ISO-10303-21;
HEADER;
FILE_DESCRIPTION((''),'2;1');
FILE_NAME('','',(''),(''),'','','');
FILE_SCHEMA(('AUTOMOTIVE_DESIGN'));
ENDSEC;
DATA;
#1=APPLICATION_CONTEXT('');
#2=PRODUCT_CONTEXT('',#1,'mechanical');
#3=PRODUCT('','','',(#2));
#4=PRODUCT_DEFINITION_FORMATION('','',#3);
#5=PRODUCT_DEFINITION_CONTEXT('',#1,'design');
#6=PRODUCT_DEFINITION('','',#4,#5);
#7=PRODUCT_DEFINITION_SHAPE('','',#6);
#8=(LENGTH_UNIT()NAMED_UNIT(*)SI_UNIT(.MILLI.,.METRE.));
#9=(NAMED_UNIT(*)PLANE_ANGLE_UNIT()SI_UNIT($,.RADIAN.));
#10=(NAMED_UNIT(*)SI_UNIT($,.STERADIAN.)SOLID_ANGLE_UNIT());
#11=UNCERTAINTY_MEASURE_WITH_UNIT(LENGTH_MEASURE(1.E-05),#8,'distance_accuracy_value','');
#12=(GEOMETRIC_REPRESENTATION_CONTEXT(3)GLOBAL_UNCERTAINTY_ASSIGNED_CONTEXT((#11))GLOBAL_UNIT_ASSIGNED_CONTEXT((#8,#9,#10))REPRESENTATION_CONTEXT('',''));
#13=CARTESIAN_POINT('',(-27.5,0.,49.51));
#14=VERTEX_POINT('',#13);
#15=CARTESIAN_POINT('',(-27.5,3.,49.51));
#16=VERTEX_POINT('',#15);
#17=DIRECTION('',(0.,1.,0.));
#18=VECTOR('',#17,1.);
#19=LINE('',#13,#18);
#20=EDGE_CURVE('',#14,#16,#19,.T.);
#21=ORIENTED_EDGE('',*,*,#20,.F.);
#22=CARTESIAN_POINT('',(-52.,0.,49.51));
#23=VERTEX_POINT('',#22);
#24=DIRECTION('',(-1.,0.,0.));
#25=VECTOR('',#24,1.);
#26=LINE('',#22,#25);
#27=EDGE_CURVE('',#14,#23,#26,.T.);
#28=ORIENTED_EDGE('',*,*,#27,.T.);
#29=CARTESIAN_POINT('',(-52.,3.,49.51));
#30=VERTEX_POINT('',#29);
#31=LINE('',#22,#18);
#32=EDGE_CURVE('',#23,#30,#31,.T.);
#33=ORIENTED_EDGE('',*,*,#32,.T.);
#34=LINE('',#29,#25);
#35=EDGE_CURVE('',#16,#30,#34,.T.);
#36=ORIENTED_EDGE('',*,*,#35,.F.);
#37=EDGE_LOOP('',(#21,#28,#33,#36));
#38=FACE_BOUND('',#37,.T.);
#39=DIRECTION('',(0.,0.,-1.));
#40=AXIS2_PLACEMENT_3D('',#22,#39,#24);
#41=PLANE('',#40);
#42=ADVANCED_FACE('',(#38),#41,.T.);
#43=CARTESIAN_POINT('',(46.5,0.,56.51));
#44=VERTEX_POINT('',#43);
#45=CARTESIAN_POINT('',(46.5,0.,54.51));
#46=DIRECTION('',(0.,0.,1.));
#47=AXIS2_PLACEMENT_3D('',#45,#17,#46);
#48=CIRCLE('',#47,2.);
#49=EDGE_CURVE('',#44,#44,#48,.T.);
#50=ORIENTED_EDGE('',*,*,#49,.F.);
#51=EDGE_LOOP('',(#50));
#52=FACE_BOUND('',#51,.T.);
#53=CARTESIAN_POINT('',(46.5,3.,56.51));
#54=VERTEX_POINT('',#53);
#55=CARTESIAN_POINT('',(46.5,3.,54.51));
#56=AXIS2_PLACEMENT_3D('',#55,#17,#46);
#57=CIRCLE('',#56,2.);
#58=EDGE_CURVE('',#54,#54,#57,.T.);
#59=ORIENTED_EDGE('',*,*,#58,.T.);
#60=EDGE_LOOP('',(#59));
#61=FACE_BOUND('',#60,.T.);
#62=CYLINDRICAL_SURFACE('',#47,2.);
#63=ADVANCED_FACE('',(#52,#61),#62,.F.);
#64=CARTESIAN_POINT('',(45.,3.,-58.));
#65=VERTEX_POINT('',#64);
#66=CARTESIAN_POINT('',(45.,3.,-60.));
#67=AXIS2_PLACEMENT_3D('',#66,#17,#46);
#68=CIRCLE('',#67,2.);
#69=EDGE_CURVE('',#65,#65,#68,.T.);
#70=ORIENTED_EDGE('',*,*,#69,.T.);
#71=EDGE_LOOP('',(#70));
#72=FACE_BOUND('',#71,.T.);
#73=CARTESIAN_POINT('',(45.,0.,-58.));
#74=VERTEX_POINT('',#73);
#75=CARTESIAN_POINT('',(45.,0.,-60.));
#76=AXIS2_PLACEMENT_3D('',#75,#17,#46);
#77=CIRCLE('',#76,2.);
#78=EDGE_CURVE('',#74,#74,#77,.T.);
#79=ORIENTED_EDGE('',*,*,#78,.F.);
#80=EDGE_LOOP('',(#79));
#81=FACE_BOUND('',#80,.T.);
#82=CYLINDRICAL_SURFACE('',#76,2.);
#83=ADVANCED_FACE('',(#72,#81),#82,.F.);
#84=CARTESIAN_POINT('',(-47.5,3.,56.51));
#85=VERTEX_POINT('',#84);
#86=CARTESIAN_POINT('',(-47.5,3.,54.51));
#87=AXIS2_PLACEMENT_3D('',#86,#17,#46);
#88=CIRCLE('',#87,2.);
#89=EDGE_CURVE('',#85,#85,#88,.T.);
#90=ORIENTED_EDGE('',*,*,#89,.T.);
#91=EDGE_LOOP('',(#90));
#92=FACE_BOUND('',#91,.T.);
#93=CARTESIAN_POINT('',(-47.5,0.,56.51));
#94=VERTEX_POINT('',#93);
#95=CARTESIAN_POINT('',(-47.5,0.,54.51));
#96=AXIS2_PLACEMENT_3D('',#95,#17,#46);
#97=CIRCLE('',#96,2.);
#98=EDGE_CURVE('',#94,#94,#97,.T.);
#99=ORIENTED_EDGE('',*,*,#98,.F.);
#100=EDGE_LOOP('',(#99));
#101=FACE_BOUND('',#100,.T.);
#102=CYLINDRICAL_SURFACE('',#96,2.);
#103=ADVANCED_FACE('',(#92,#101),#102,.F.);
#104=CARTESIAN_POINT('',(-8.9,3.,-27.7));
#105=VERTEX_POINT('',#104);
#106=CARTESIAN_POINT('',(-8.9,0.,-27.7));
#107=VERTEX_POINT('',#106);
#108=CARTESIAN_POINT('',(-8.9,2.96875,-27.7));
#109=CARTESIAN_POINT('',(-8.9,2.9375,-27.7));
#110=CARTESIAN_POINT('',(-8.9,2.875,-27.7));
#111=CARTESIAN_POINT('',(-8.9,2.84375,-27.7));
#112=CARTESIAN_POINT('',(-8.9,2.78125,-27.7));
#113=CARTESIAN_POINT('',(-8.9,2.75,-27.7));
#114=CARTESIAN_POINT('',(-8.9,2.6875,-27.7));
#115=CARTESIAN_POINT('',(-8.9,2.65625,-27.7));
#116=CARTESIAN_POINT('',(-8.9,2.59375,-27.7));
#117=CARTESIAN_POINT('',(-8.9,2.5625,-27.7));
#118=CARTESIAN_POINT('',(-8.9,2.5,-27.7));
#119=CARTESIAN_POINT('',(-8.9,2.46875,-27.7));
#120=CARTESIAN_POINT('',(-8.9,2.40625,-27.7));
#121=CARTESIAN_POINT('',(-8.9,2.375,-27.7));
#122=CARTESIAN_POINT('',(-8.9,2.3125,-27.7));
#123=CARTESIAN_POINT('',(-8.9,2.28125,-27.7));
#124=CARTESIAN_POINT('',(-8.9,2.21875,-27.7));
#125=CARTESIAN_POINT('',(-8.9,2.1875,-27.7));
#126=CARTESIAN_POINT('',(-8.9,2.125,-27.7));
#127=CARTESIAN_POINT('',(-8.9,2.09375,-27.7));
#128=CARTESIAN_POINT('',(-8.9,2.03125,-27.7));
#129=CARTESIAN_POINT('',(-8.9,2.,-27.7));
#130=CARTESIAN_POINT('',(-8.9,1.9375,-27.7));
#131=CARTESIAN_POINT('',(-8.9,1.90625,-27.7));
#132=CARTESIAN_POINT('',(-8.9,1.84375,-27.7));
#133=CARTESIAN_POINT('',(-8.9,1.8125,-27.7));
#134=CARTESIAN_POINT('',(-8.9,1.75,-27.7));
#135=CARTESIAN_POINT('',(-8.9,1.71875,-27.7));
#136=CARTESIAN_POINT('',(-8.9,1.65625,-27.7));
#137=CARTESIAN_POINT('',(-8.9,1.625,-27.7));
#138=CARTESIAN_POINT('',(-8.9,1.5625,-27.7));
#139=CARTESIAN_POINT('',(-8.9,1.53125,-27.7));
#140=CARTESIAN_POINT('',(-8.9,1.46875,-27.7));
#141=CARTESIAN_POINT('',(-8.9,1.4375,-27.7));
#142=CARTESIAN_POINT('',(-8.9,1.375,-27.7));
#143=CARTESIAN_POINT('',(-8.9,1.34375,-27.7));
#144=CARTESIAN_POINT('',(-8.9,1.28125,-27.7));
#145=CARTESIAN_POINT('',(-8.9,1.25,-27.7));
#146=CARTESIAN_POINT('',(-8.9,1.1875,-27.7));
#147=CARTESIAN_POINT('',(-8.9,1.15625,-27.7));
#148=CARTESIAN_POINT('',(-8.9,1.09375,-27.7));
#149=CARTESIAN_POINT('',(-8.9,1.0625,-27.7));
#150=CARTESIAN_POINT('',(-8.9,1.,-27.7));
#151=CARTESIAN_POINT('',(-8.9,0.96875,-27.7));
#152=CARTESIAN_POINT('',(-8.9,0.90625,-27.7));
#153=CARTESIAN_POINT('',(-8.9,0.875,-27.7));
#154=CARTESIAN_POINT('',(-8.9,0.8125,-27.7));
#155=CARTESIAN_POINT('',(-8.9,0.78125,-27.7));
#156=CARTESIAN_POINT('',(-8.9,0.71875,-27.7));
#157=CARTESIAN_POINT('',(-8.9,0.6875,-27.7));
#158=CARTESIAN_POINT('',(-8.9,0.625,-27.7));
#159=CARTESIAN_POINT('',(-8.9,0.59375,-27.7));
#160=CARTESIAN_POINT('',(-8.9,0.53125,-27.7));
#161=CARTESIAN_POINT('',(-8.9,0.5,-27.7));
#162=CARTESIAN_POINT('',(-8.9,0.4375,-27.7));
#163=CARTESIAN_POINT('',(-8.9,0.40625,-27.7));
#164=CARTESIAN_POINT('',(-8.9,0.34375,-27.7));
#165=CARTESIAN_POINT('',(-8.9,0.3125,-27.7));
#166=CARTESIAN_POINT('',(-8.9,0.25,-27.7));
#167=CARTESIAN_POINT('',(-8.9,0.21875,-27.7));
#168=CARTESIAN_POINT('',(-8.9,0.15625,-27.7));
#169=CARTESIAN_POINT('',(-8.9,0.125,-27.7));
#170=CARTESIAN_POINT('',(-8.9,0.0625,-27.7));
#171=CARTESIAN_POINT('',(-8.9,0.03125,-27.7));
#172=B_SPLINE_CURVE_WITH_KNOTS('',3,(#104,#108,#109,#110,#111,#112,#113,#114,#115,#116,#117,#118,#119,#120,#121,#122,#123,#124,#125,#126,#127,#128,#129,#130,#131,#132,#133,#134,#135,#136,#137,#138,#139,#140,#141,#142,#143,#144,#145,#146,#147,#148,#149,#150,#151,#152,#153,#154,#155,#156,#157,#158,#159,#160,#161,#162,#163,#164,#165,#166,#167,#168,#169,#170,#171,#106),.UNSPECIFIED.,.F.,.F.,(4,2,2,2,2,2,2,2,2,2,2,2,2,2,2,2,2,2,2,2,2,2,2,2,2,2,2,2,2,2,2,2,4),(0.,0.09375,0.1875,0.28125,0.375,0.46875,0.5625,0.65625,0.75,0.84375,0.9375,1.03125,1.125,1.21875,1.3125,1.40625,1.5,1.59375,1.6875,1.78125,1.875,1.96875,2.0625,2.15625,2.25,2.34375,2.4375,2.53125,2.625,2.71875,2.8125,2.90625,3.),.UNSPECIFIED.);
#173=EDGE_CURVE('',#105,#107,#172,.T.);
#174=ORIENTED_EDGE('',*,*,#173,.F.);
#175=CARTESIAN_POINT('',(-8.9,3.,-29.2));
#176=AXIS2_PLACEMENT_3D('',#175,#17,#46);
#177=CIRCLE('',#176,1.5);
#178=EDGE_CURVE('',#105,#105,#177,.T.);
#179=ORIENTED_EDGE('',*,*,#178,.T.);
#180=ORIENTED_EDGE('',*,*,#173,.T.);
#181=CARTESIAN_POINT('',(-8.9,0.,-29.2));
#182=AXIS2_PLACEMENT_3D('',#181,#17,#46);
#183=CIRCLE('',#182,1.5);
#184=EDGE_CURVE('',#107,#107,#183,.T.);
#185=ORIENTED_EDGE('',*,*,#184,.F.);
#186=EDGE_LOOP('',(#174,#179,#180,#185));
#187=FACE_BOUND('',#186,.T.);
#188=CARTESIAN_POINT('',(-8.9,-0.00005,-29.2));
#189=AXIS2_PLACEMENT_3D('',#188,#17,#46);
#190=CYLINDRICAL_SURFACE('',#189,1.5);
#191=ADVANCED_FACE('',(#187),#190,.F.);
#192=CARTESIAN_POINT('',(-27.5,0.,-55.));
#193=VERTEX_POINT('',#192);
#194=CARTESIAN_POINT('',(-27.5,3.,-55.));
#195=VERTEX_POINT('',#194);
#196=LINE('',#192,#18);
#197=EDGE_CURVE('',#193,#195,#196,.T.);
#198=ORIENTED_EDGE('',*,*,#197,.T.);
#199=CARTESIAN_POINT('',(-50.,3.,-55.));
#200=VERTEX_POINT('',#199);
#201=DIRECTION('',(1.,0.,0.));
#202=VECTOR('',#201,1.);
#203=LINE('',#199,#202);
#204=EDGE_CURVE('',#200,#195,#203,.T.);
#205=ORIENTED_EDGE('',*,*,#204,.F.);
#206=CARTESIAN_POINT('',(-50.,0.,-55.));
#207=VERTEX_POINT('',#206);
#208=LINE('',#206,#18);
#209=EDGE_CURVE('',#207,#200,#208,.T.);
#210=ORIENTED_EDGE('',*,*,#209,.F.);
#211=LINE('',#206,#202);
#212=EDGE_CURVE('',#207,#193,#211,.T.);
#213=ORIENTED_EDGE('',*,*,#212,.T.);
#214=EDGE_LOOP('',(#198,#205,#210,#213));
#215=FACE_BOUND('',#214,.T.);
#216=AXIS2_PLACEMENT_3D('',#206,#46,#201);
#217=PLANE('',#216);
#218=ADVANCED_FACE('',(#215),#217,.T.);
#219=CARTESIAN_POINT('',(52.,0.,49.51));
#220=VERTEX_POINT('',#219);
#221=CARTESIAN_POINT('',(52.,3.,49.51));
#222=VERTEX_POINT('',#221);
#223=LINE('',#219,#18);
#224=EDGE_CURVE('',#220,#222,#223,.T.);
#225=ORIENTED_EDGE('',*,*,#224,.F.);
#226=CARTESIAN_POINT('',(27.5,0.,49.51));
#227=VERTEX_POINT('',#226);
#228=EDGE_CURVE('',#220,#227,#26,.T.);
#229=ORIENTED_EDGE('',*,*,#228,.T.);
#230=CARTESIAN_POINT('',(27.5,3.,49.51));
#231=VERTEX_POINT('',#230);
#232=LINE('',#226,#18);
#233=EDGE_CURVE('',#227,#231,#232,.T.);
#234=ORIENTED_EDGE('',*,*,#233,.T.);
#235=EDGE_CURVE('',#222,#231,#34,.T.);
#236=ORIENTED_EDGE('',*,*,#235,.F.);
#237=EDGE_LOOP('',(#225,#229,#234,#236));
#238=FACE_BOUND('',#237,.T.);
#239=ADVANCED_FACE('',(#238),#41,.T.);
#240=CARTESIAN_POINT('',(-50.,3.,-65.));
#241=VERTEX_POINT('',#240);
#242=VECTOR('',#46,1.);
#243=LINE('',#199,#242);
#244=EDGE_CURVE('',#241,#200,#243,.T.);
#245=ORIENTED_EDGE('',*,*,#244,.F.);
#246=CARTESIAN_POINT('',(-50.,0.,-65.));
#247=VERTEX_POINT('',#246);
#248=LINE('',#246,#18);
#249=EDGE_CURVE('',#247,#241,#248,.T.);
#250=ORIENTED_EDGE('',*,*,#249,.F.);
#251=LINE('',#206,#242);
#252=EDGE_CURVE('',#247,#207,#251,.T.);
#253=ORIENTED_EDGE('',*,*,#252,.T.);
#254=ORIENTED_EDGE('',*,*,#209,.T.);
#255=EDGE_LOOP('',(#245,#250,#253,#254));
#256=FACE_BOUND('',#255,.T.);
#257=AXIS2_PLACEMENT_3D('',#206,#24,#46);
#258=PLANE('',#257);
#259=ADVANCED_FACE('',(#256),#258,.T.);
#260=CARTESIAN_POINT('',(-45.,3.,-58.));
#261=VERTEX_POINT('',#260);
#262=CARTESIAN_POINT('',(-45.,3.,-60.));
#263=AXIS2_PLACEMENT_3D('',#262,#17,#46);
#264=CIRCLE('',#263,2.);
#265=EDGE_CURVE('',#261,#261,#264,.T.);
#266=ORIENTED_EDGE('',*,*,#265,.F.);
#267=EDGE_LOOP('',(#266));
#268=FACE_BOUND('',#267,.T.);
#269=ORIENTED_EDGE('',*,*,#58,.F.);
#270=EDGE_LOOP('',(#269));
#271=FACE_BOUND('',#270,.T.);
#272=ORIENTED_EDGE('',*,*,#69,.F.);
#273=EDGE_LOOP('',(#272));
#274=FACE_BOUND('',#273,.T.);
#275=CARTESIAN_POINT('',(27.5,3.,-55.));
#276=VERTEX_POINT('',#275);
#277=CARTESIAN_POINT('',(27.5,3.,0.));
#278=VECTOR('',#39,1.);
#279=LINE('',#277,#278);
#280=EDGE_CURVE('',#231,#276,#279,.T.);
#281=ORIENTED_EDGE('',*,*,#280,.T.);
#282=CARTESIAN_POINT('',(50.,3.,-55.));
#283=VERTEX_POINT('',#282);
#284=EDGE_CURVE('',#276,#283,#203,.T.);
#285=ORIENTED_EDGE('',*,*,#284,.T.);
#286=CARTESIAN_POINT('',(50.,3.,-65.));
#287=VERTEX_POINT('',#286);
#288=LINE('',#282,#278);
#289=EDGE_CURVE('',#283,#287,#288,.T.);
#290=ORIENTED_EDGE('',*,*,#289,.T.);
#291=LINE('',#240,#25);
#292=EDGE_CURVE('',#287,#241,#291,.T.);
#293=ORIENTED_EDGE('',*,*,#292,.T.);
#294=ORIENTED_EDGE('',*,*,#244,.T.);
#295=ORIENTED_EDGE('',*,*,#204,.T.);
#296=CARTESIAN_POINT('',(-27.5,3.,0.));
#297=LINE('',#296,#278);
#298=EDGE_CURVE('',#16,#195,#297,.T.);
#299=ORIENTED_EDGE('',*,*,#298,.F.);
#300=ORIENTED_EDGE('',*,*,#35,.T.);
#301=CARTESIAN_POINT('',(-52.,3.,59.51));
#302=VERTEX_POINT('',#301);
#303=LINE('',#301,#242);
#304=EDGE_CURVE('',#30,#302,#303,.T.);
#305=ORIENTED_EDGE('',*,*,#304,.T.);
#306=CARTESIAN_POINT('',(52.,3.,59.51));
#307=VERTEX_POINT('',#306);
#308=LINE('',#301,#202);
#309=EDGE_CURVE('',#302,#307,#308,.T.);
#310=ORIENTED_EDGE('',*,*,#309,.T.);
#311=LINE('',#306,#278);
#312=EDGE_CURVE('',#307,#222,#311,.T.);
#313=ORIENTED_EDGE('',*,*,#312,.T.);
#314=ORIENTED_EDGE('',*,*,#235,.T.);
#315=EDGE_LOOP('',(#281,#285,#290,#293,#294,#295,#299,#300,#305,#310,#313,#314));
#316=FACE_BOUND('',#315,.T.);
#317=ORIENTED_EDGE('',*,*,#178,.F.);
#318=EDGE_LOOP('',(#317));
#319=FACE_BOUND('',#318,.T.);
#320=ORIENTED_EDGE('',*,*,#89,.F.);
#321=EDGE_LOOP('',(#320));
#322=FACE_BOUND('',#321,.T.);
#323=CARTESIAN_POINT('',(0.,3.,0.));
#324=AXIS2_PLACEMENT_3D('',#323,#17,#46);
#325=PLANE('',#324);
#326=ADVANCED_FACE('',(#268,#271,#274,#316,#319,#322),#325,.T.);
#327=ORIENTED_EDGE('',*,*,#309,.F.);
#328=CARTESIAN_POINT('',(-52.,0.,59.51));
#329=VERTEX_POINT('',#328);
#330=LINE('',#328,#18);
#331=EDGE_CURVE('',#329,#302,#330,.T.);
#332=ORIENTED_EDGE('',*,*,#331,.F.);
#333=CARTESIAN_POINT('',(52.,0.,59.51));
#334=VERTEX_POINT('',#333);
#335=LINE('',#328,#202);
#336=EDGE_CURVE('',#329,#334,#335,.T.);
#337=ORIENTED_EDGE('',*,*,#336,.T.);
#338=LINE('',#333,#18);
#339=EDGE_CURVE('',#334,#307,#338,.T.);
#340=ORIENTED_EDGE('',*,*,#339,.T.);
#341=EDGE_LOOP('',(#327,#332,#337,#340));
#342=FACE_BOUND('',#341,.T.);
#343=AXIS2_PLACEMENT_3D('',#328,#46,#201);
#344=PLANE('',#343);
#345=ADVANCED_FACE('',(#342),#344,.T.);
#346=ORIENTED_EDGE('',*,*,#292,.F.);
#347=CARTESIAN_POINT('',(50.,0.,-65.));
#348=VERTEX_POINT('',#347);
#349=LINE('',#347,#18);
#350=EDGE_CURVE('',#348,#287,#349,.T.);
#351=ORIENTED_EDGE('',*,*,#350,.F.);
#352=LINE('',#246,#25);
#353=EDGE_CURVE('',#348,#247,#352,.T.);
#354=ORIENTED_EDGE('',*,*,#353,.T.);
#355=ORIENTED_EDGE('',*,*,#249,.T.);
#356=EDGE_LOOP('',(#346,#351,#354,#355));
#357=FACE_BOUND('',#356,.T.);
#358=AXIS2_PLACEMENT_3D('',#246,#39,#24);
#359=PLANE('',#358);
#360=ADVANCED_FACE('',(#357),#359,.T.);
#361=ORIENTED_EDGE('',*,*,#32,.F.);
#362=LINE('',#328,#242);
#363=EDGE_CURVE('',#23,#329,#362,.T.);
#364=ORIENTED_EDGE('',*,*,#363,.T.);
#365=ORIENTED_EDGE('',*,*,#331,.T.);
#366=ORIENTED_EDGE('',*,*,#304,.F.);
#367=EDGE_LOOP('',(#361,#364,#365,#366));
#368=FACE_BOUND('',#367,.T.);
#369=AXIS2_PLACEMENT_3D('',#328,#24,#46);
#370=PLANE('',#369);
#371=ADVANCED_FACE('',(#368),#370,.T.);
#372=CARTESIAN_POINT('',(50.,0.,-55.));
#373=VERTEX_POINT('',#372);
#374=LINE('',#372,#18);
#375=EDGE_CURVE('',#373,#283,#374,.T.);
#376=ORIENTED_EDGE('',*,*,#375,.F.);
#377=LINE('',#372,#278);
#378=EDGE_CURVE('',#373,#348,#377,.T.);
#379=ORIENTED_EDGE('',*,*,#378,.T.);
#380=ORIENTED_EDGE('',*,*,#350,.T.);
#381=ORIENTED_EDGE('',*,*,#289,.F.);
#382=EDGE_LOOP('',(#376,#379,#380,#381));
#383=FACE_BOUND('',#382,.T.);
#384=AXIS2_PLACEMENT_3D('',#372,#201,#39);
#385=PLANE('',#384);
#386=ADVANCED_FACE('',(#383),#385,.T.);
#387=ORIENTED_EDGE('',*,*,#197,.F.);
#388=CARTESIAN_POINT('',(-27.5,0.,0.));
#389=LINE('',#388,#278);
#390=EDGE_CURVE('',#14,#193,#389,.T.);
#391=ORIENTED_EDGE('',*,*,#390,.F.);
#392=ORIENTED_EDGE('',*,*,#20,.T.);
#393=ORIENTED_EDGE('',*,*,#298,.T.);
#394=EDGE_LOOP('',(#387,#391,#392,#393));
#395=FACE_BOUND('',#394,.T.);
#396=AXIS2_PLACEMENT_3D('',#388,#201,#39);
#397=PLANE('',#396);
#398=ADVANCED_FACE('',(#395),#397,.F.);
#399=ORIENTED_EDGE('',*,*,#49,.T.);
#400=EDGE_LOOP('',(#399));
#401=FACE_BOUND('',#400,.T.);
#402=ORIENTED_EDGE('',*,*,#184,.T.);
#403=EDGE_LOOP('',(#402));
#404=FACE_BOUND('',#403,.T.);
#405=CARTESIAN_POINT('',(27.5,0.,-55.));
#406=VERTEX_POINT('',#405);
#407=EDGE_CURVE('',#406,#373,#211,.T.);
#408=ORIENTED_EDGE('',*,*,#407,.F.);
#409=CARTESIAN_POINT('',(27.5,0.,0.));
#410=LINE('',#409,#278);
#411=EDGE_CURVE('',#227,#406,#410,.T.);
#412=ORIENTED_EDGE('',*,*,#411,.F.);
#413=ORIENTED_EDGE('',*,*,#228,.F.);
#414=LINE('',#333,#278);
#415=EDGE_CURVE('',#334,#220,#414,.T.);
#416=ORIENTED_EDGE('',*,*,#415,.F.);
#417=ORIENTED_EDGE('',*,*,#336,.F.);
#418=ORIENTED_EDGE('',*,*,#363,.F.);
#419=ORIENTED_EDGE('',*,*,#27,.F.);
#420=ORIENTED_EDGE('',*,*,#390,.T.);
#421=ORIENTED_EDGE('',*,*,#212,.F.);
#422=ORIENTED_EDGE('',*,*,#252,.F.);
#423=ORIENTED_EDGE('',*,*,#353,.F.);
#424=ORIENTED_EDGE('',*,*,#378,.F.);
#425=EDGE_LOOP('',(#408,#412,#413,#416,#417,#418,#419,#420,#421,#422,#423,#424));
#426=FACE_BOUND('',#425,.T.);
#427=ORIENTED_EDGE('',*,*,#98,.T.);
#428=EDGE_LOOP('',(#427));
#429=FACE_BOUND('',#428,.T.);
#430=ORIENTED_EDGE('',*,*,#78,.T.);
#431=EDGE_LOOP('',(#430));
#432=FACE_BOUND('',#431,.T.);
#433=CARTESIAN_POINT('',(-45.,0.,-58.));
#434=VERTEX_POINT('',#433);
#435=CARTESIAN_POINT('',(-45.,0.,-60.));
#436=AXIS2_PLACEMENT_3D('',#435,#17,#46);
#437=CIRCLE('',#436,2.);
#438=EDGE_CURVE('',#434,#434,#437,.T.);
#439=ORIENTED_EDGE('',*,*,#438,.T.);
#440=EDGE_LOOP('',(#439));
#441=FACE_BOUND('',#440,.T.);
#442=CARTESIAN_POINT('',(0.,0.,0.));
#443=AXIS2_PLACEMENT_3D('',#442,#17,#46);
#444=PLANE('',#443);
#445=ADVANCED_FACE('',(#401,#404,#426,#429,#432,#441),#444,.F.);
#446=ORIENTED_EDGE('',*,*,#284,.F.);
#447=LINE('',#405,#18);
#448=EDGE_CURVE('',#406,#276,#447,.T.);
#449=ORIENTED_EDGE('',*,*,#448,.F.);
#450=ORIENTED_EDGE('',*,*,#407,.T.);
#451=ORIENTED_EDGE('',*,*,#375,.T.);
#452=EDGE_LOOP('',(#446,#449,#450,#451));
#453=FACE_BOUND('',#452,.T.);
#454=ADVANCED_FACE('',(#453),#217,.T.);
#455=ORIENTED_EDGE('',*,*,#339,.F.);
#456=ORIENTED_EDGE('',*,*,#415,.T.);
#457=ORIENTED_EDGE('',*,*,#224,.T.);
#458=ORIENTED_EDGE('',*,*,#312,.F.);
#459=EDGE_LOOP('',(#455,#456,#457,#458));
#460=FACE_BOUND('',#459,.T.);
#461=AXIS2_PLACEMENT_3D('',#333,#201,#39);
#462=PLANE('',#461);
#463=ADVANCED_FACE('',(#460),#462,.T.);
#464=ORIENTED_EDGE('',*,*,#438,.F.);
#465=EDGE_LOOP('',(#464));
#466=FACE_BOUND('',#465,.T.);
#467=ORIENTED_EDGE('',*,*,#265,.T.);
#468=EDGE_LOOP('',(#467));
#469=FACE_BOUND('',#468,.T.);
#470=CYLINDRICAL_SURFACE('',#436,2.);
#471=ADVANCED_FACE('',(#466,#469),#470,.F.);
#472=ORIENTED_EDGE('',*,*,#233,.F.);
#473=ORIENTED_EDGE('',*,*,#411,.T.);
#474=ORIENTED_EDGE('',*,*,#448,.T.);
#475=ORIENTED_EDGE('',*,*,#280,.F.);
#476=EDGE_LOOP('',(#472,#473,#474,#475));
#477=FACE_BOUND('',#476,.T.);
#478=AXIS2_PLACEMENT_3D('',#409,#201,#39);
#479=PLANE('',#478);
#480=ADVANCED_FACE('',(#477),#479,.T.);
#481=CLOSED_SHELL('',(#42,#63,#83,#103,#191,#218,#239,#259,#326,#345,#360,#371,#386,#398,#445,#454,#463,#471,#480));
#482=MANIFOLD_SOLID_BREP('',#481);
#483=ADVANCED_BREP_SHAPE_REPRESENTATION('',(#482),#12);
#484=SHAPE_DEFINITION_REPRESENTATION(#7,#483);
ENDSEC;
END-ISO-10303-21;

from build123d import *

# Parameters (mm, degrees)
CROQUIS1_R              = 75
SALIENTE_EXTRUIR1_DEPTH = 3
CROQUIS5_W              = 55
CROQUIS5_H              = 104.51
CORTAR_EXTRUIR10_DEPTH  = 107.108435103
CROQUIS10_W             = 100
CROQUIS10_H             = 10
CROQUIS10_R             = 2
SALIENTE_EXTRUIR2_DEPTH = 3
CROQUIS12_W             = 104
CROQUIS12_H             = 10
CROQUIS12_R             = 2
SALIENTE_EXTRUIR3_DEPTH = 3
CROQUIS13_R             = 1.5
CORTAR_EXTRUIR11_DEPTH  = 84.294657692


with BuildPart() as part:
    # Croquis1 → Saliente-Extruir1 (new body)
    with BuildSketch(Plane(origin=(0, 0, 0), x_dir=(1, 0, 0), z_dir=(0, 1, 0))):
        with Locations(Location((0, 0, 0), (0, 0, 270))):
            Circle(CROQUIS1_R)
    extrude(amount=SALIENTE_EXTRUIR1_DEPTH)

    # Croquis5 → Cortar-Extruir10 (cut, through all)
    with BuildSketch(Plane(origin=(0, 3, 0), x_dir=(1, 0, 0), z_dir=(0, 1, 0))):
        Polygon((53, 55), (53, 77), (-53, 77), (-53, 55), (-77.5, 55), (-77.5, -70), (-27.5, -70), (-27.5, -78), (27.5, -78), (27.5, -70), (75, -70), (75, 55), align=None)
        with Locations((0, 2.745)):
            Rectangle(CROQUIS5_W, CROQUIS5_H, mode=Mode.SUBTRACT)
    extrude(amount=-CORTAR_EXTRUIR10_DEPTH, mode=Mode.SUBTRACT)

    # Croquis10 → Saliente-Extruir2 (add)
    with BuildSketch(Plane(origin=(0, 3, 0), x_dir=(1, 0, 0), z_dir=(0, 1, 0))):
        with Locations((0, 60)):
            Rectangle(CROQUIS10_W, CROQUIS10_H)
        with Locations(Location((-45, 60, 0), (0, 0, 270))):
            Circle(CROQUIS10_R, mode=Mode.SUBTRACT)
        with Locations(Location((45, 60, 0), (0, 0, 270))):
            Circle(CROQUIS10_R, mode=Mode.SUBTRACT)
    extrude(amount=-SALIENTE_EXTRUIR2_DEPTH)

    # Croquis12 → Saliente-Extruir3 (add)
    with BuildSketch(Plane(origin=(0, 3, 0), x_dir=(1, 0, 0), z_dir=(0, 1, 0))):
        with Locations((0, -54.51)):
            Rectangle(CROQUIS12_W, CROQUIS12_H)
        with Locations(Location((-47.5, -54.51, 0), (0, 0, 270))):
            Circle(CROQUIS12_R, mode=Mode.SUBTRACT)
        with Locations(Location((46.5, -54.51, 0), (0, 0, 270))):
            Circle(CROQUIS12_R, mode=Mode.SUBTRACT)
    extrude(amount=-SALIENTE_EXTRUIR3_DEPTH)

    # Croquis13 → Cortar-Extruir11 (cut, through all)
    with BuildSketch(Plane(origin=(0, 3, 0), x_dir=(1, 0, 0), z_dir=(0, 1, 0))):
        with Locations(Location((-8.9, 29.2, 0), (0, 0, 270))):
            Circle(CROQUIS13_R)
    extrude(amount=-CORTAR_EXTRUIR11_DEPTH, mode=Mode.SUBTRACT)


solid = part.part
